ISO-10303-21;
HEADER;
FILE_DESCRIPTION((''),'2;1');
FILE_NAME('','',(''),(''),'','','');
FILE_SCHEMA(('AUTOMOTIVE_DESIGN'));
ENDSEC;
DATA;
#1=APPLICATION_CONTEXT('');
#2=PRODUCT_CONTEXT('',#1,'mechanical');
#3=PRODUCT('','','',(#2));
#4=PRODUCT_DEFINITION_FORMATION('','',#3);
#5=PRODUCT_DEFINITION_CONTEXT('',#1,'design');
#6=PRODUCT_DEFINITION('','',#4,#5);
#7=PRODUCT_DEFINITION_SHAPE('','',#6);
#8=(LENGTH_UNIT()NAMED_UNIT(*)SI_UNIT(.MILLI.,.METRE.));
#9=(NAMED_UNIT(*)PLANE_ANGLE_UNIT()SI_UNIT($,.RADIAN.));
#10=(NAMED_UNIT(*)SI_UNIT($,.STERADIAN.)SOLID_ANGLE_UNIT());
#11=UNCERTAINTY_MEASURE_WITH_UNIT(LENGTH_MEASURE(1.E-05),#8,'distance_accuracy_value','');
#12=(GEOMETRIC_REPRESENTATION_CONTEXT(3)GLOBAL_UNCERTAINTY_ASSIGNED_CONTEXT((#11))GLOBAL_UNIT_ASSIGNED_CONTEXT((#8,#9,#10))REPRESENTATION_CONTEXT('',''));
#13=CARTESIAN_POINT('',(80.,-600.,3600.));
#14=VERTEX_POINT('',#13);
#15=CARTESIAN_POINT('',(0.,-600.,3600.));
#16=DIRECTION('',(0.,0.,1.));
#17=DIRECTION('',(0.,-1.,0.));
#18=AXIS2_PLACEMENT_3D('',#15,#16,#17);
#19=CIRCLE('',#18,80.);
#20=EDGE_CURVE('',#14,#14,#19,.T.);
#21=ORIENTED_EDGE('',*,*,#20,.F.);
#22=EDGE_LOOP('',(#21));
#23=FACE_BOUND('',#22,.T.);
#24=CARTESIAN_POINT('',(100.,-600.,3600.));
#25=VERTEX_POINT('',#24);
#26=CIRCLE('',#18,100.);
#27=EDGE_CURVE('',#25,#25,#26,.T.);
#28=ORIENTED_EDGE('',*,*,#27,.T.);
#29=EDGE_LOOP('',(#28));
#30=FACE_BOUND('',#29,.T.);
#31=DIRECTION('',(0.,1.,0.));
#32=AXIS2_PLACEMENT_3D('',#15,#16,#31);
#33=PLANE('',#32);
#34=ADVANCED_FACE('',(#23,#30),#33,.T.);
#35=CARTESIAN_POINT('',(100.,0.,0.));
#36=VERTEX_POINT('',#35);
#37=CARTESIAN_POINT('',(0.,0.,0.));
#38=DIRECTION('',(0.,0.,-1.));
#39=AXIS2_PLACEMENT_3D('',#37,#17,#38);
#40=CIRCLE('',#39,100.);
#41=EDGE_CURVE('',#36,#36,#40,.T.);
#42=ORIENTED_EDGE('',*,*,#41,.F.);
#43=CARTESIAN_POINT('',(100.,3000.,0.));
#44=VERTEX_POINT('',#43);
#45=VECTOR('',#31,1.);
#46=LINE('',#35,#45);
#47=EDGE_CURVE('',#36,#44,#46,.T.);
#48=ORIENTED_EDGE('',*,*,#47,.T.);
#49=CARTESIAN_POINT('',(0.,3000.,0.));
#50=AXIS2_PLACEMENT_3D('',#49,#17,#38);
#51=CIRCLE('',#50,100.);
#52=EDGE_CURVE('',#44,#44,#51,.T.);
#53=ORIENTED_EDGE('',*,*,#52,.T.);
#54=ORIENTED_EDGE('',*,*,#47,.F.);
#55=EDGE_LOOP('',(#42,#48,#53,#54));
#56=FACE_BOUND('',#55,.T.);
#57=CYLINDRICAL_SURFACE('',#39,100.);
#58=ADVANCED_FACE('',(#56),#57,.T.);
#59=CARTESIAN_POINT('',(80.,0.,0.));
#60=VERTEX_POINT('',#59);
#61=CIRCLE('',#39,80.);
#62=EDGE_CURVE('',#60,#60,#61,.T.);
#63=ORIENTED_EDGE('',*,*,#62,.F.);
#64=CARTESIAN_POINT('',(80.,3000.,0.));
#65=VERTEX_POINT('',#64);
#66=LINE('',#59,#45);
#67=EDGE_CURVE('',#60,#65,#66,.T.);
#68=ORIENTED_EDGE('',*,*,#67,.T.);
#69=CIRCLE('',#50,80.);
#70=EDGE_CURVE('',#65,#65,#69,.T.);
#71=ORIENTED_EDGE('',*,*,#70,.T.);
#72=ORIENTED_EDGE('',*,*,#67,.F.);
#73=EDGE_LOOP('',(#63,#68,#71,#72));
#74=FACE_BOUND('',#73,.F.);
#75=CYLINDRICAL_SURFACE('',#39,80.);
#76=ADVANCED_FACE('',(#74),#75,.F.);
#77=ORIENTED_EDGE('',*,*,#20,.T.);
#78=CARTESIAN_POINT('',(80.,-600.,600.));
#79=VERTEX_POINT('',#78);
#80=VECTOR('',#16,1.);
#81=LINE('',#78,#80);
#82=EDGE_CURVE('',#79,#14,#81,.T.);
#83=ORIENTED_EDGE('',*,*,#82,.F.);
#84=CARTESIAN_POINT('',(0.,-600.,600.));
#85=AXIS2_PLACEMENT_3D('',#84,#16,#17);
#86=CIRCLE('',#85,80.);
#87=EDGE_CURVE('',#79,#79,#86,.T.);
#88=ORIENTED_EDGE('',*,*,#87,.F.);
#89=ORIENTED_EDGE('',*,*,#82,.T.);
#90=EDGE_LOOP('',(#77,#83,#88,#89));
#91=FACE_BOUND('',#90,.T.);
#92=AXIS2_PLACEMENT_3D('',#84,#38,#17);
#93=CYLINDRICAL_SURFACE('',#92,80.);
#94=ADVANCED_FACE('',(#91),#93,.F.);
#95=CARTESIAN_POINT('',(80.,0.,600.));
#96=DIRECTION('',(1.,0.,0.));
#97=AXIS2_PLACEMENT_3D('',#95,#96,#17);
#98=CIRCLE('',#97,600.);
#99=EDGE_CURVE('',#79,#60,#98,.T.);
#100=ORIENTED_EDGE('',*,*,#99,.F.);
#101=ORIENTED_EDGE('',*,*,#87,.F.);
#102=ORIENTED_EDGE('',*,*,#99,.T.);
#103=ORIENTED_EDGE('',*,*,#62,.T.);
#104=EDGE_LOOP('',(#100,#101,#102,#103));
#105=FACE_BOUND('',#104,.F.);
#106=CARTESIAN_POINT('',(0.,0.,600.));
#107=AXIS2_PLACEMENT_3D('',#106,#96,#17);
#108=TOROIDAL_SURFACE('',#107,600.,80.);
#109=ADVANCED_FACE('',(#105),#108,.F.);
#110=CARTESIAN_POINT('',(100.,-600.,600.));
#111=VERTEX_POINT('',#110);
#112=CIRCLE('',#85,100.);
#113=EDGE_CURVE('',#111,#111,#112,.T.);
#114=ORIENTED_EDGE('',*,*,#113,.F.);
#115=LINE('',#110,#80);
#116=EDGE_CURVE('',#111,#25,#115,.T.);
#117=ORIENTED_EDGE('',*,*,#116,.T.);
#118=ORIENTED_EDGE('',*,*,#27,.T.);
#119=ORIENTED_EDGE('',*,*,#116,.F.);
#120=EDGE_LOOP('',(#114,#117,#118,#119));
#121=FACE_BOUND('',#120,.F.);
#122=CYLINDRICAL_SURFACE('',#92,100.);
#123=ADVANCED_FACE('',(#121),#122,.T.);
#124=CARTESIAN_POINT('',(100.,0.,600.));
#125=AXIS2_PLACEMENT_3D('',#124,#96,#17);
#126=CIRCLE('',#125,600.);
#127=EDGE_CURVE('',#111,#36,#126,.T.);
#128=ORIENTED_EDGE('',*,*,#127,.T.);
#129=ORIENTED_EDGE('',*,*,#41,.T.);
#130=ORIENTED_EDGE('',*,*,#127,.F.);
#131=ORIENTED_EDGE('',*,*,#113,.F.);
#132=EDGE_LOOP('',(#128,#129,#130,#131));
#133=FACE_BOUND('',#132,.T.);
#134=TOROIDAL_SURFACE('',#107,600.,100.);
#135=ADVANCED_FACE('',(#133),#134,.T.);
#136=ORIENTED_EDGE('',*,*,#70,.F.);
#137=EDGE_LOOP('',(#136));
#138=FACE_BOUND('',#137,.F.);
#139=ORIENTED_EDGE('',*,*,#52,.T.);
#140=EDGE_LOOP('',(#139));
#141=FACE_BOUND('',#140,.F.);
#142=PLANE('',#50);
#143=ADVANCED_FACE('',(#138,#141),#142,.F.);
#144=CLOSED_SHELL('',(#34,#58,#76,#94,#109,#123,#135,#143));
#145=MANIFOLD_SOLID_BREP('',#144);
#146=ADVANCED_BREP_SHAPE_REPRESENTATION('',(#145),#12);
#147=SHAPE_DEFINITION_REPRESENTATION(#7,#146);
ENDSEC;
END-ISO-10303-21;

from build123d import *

# Parameters (mm, degrees)
F0_R     = 100
F0_R_2   = 80
F3_DEPTH = 3000
F4_DEPTH = 3000


with BuildPart() as f2:
    # F2: sweep along a path in F1
    with BuildLine(Plane.YZ) as f2_path:
        ThreePointArc((-600, 600), (-424.2640687119, 175.7359312881), (0, 0))
    # F0 (on Front) → F2 (sweep)
    with BuildSketch(Plane.XZ):
        Circle(F0_R)
        Circle(F0_R_2, mode=Mode.SUBTRACT)
    sweep(path=f2_path.line)

    # F3 (add): a face of the model
    f3_faces = [f2.faces().sort_by_distance(p)[0] for p in [
        (-97.1715728753, 0, 0),
    ]]
    extrude(f3_faces, amount=F3_DEPTH)

    # F4 (add): a face of the model
    f4_faces = [f2.faces().sort_by_distance(p)[0] for p in [
        (-97.1715728753, -600, 600),
    ]]
    extrude(f4_faces, amount=F4_DEPTH)


solid = f2.part
